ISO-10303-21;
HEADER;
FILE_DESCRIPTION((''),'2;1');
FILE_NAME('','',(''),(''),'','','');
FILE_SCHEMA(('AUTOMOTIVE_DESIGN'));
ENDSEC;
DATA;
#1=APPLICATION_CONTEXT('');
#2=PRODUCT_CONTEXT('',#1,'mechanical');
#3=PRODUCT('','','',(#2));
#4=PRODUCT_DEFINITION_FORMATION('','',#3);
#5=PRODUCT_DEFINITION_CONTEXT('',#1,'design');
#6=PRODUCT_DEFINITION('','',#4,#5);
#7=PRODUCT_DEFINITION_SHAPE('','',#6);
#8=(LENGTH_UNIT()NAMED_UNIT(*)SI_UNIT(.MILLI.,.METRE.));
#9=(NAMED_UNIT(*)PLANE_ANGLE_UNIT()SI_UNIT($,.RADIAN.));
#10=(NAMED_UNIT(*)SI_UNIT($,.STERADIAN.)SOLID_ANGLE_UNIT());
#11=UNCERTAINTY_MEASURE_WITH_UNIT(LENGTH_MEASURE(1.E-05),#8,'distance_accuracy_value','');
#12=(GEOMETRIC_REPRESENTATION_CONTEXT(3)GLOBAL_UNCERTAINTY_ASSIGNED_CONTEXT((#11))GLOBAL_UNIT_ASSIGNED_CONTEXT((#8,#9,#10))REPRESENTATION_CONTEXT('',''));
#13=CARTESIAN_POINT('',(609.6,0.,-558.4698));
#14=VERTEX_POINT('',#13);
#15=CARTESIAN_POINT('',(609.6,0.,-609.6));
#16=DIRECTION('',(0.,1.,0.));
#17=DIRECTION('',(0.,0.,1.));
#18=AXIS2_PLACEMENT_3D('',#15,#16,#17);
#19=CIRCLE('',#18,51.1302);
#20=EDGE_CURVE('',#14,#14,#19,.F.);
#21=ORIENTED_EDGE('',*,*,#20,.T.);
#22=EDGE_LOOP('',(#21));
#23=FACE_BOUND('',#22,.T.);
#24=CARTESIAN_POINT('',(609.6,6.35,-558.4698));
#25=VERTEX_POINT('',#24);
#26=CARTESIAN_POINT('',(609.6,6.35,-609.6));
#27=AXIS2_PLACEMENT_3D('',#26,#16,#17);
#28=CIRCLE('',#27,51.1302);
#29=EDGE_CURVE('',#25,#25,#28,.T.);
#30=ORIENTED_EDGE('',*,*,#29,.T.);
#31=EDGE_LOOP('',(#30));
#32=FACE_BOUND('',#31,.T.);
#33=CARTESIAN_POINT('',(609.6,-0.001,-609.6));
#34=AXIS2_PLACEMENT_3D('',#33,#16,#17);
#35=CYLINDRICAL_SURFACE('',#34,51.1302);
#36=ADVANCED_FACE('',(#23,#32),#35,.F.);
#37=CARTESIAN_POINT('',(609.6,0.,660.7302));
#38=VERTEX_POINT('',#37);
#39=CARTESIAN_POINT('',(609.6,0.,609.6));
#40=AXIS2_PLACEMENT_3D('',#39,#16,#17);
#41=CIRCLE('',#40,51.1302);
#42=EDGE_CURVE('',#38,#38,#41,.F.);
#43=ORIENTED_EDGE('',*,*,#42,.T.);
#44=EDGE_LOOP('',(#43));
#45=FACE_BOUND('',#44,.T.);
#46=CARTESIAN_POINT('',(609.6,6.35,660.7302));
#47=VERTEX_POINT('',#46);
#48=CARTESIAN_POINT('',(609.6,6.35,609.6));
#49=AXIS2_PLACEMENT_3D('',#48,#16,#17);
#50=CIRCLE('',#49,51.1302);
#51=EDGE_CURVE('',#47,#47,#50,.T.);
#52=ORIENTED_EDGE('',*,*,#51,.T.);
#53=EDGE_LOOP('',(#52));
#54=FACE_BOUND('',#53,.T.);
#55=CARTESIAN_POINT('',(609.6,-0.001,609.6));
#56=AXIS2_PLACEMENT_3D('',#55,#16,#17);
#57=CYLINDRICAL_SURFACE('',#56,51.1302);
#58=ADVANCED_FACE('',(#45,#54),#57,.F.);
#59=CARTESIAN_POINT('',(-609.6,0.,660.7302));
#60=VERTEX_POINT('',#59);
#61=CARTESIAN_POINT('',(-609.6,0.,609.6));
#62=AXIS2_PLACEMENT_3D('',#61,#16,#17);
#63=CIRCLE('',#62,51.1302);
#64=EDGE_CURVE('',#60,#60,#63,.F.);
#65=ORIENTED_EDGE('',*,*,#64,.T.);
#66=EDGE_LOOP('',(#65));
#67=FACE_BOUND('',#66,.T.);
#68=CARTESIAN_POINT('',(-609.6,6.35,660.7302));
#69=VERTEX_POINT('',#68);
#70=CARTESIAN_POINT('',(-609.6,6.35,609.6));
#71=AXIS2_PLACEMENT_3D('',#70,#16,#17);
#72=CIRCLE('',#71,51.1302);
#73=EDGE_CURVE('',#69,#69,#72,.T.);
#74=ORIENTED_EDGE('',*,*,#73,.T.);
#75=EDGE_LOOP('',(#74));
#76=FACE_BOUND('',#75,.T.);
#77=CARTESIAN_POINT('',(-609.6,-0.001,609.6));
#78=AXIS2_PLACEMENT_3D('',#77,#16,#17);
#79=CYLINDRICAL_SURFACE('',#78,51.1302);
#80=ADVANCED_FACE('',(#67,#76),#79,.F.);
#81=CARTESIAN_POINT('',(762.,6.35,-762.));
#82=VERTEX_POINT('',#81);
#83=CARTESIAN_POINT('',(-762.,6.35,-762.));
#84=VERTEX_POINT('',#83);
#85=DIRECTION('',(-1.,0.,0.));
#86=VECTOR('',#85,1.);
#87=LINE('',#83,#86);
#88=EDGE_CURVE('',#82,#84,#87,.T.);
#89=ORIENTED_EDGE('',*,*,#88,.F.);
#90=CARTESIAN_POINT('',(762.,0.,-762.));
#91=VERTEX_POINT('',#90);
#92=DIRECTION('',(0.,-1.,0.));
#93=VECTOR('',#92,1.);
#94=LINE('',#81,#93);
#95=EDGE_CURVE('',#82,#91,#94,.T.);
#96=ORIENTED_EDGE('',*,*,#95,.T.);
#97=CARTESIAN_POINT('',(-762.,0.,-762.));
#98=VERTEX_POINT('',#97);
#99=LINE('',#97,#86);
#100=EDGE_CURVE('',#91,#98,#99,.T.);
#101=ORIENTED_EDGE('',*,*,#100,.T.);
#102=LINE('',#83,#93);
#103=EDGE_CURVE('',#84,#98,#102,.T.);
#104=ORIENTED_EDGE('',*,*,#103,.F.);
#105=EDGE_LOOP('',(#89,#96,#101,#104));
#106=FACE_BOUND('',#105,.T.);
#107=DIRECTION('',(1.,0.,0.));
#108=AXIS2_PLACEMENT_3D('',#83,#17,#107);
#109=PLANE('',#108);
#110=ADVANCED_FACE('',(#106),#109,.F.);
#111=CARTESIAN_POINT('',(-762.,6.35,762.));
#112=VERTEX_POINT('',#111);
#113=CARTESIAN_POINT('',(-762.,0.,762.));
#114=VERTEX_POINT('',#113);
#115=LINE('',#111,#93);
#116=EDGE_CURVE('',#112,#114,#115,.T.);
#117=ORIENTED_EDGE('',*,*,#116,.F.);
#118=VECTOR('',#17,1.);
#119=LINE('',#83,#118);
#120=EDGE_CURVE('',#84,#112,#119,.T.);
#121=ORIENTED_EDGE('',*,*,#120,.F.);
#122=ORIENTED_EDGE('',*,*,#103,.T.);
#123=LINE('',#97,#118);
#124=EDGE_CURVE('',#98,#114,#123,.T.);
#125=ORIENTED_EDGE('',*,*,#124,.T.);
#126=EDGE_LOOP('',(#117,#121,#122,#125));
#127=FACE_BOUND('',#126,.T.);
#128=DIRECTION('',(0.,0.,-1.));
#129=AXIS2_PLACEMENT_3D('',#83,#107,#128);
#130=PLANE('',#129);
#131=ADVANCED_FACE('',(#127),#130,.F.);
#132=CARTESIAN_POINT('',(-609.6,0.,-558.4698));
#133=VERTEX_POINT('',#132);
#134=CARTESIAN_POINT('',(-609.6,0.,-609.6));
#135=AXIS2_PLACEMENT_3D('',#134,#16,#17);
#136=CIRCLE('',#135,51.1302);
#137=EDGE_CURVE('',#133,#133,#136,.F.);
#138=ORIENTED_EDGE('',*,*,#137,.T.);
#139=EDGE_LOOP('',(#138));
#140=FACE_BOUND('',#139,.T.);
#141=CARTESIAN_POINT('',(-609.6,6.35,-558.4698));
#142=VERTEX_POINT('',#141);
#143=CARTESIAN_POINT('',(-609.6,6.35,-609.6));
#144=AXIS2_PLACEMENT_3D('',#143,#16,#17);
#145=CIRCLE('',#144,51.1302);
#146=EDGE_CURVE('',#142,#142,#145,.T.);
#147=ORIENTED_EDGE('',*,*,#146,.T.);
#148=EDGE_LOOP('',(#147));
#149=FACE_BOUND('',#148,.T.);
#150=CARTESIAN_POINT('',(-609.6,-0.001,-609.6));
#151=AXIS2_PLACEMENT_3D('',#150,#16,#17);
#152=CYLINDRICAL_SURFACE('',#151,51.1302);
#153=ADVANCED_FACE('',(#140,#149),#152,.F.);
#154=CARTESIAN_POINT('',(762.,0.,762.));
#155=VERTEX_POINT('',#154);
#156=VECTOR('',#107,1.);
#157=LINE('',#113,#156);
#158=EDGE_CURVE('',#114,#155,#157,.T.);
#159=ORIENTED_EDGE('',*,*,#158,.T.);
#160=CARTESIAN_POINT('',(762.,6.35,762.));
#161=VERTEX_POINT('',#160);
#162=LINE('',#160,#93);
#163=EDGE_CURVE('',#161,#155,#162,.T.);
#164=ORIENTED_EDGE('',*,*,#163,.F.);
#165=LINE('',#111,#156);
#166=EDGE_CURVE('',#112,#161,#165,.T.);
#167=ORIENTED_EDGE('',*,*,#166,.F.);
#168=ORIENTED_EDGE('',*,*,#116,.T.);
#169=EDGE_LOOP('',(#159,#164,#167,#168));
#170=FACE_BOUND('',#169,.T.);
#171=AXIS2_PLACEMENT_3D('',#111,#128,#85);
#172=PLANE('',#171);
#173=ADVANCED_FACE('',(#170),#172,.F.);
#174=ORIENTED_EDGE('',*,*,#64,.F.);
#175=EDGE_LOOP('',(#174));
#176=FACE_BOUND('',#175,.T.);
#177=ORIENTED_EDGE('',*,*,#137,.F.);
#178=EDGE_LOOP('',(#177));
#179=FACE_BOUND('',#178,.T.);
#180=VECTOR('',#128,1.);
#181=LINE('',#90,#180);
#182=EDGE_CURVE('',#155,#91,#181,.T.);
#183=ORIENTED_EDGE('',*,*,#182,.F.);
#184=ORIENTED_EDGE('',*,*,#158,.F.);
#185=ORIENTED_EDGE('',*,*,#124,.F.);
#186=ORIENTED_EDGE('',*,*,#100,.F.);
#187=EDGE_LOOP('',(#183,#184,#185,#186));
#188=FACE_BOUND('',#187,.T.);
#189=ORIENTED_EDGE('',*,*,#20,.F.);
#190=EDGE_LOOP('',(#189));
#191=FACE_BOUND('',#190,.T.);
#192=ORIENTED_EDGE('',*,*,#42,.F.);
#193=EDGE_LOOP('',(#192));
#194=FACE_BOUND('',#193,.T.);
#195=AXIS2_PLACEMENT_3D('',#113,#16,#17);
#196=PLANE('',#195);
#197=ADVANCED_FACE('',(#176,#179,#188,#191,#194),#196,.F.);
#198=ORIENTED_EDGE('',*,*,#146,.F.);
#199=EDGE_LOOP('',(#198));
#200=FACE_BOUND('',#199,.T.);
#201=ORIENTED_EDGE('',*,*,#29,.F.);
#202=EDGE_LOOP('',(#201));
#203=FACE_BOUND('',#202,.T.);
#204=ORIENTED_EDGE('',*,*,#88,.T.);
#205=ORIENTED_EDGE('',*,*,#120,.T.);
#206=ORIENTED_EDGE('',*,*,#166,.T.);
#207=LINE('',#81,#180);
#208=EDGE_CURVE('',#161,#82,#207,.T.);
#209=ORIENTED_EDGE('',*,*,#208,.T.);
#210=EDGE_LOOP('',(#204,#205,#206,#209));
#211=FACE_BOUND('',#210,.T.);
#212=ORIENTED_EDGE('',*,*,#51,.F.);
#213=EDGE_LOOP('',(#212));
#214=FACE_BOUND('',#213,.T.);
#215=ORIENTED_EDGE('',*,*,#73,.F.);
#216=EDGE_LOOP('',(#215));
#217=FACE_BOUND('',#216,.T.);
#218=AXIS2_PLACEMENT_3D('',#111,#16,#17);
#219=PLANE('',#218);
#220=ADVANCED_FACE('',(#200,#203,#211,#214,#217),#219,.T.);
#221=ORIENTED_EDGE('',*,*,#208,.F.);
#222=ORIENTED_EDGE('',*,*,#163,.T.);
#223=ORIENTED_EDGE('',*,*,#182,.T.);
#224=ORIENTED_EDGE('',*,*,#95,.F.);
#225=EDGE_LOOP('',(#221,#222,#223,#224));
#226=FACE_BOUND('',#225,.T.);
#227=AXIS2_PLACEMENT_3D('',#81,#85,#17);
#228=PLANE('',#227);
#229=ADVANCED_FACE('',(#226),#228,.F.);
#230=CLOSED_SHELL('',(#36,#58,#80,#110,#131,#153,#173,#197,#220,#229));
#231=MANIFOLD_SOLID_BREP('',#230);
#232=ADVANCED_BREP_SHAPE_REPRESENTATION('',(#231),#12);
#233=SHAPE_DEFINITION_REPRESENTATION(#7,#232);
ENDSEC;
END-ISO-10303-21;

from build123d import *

# Parameters (mm, degrees)
SKETCH1_W           = 1524
SKETCH1_H           = 1524
BOSS_EXTRUDE1_DEPTH = 6.35
CUT_EXTRUDE1_REACH  = 1079.649
SKETCH2_R           = 51.1302


with BuildPart() as part:
    # Sketch1 → Boss-Extrude1 (new body)
    with BuildSketch(Plane(origin=(0, 0, 0), x_dir=(1, 0, 0), z_dir=(0, 1, 0))):
        Rectangle(SKETCH1_W, SKETCH1_H)
    extrude(amount=BOSS_EXTRUDE1_DEPTH)

    # Sketch2 → Cut-Extrude1 (cut, up to next)
    with BuildSketch(Plane(origin=(0, 6.35, 0), x_dir=(1, 0, 0), z_dir=(0, 1, 0)), mode=Mode.PRIVATE) as cut_extrude1_sk1:
        with Locations(Location((609.6, 609.6, 0), (0, 0, 270))):
            Circle(SKETCH2_R)
    cut_extrude1_tool1 = extrude(cut_extrude1_sk1.sketch, amount=-CUT_EXTRUDE1_REACH, mode=Mode.PRIVATE) & part.part
    # Sketch2 → Cut-Extrude1 (cut, up to next)
    with BuildSketch(Plane(origin=(0, 6.35, 0), x_dir=(1, 0, 0), z_dir=(0, 1, 0)), mode=Mode.PRIVATE) as cut_extrude1_sk2:
        with Locations(Location((609.6, -609.6, 0), (0, 0, 270))):
            Circle(SKETCH2_R)
    cut_extrude1_tool2 = extrude(cut_extrude1_sk2.sketch, amount=-CUT_EXTRUDE1_REACH, mode=Mode.PRIVATE) & part.part
    # Sketch2 → Cut-Extrude1 (cut, up to next)
    with BuildSketch(Plane(origin=(0, 6.35, 0), x_dir=(1, 0, 0), z_dir=(0, 1, 0)), mode=Mode.PRIVATE) as cut_extrude1_sk3:
        with Locations(Location((-609.6, -609.6, 0), (0, 0, 270))):
            Circle(SKETCH2_R)
    cut_extrude1_tool3 = extrude(cut_extrude1_sk3.sketch, amount=-CUT_EXTRUDE1_REACH, mode=Mode.PRIVATE) & part.part
    # Sketch2 → Cut-Extrude1 (cut, up to next)
    with BuildSketch(Plane(origin=(0, 6.35, 0), x_dir=(1, 0, 0), z_dir=(0, 1, 0)), mode=Mode.PRIVATE) as cut_extrude1_sk4:
        with Locations(Location((-609.6, 609.6, 0), (0, 0, 270))):
            Circle(SKETCH2_R)
    cut_extrude1_tool4 = extrude(cut_extrude1_sk4.sketch, amount=-CUT_EXTRUDE1_REACH, mode=Mode.PRIVATE) & part.part
    add(cut_extrude1_tool1.solids().sort_by_distance((609.6, 6.35, -609.6))[0], mode=Mode.SUBTRACT)
    add(cut_extrude1_tool2.solids().sort_by_distance((609.6, 6.35, 609.6))[0], mode=Mode.SUBTRACT)
    add(cut_extrude1_tool3.solids().sort_by_distance((-609.6, 6.35, 609.6))[0], mode=Mode.SUBTRACT)
    add(cut_extrude1_tool4.solids().sort_by_distance((-609.6, 6.35, -609.6))[0], mode=Mode.SUBTRACT)


solid = part.part
